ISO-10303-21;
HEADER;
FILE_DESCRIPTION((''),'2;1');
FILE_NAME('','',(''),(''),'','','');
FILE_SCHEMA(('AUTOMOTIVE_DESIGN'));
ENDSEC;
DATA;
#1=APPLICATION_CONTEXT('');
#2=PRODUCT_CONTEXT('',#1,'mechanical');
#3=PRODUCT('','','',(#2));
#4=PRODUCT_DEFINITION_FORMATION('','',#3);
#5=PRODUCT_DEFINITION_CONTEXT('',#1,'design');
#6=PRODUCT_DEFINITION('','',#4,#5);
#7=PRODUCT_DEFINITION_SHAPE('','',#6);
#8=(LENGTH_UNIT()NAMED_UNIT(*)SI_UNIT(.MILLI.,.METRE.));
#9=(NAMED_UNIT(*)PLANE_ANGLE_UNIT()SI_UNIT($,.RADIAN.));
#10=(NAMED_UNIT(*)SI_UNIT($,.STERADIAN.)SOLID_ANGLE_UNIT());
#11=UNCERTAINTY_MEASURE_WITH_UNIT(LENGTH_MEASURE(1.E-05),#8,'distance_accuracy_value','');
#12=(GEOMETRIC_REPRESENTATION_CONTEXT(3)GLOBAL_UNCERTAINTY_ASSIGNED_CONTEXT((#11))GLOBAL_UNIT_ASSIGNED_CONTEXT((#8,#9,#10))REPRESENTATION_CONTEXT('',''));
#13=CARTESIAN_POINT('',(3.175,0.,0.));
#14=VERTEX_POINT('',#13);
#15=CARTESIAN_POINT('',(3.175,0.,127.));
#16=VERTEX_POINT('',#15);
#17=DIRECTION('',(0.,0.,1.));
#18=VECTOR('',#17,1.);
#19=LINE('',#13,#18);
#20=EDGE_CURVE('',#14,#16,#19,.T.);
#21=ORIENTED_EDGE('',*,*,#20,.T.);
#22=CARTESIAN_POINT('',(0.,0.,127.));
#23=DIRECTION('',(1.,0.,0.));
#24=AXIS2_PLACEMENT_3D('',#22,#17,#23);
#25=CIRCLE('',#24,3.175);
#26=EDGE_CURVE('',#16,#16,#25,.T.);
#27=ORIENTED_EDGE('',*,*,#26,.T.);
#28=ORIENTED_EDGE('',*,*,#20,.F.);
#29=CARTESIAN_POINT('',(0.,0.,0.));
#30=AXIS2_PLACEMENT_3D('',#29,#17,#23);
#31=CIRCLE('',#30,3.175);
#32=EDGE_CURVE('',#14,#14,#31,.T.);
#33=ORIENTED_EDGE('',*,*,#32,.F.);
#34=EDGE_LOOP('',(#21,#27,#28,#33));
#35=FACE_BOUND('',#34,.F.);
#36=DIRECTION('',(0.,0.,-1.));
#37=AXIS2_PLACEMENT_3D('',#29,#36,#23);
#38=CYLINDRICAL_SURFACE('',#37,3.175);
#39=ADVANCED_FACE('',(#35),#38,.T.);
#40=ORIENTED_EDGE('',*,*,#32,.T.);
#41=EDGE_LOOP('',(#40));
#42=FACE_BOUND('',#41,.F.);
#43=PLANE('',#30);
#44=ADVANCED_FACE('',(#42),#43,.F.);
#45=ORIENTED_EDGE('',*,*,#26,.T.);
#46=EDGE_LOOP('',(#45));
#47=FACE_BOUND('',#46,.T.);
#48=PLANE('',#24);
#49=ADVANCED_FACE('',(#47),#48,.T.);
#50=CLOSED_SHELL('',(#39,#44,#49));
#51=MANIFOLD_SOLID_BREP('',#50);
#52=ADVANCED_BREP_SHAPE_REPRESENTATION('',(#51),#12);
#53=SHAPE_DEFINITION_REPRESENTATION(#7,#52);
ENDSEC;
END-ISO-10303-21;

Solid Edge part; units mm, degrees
sketch "Sketch1" plane through (0, 0, 0) normal (0, 0, 1) x (1, 0, 0)
  circle A0 centre (0, 0) radius 3.175
extrude "Protrusion1" add sketch "Sketch1" along normal blind 127
cosmetic_thread "Thread1" size "1/4-20 UNC"
properties material "Brass, yellow brass"
